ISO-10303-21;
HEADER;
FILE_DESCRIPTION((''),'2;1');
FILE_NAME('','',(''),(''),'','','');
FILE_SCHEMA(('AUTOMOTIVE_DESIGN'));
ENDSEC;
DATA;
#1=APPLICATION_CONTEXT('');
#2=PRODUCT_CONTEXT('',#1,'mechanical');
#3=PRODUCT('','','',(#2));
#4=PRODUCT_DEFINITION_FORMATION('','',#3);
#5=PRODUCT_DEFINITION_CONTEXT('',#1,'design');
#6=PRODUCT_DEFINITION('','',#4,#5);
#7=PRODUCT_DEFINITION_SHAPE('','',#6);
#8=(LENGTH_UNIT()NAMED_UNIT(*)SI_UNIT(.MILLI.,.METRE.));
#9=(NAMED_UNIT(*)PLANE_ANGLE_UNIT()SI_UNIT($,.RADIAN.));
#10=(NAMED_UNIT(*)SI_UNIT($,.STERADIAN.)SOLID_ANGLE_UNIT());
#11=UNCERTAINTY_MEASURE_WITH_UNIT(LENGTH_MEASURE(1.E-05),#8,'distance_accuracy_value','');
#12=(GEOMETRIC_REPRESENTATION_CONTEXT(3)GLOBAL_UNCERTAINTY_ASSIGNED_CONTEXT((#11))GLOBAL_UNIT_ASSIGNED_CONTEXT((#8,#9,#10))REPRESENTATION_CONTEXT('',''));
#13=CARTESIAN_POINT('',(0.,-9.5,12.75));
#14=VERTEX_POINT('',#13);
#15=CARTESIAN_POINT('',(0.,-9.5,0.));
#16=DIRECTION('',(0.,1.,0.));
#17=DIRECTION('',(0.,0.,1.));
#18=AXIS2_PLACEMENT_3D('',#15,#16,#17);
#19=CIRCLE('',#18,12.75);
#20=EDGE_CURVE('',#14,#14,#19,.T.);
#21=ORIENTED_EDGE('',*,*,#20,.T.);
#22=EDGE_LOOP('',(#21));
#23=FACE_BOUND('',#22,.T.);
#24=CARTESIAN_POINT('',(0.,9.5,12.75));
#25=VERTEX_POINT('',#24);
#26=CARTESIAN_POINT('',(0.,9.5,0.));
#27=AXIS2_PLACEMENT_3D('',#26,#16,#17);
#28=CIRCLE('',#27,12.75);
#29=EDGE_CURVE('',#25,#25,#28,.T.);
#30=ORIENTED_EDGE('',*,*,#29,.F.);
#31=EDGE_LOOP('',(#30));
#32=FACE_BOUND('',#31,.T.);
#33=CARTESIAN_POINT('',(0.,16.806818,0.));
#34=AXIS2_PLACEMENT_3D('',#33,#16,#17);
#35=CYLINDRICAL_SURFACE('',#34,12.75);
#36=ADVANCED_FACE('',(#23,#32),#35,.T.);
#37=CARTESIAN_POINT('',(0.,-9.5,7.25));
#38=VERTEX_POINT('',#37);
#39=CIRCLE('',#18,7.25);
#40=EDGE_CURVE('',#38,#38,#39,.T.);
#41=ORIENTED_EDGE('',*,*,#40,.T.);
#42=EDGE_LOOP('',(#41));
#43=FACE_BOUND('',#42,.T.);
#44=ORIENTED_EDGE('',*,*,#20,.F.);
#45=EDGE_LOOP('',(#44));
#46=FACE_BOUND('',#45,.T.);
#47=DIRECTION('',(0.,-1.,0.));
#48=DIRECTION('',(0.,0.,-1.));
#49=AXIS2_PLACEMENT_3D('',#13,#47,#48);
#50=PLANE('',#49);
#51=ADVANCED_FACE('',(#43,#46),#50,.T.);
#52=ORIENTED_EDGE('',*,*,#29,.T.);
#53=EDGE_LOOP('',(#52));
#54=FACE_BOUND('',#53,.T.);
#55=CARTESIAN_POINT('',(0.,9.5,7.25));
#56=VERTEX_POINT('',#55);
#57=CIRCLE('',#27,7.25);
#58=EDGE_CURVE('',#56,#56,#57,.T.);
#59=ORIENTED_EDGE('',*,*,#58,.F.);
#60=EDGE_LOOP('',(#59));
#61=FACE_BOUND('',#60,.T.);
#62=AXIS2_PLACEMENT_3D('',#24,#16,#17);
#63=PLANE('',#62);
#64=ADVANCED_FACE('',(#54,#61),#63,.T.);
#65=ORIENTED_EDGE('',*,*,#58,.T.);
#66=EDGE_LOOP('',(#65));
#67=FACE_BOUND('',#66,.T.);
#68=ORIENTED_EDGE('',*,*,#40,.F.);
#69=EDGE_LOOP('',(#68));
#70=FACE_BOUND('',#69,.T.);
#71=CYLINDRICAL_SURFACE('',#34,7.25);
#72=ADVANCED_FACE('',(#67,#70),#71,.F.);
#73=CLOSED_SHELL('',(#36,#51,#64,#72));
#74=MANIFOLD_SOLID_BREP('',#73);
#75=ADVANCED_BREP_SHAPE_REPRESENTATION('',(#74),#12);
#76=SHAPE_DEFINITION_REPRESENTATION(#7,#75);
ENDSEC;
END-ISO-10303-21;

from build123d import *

# Parameters (mm, degrees)
SKETCH1_W = 5.5
SKETCH1_H = 19


with BuildPart() as part:
    # Sketch1 → Revolve3 (revolve)
    with BuildSketch(Plane(origin=(0, 0, 0), x_dir=(0, 0, -1), z_dir=(1, 0, 0))):
        with Locations((-10, 0)):
            Rectangle(SKETCH1_W, SKETCH1_H)
    revolve(axis=Axis((0, 16.806818182, 0), (0, -1, 0)))


solid = part.part
